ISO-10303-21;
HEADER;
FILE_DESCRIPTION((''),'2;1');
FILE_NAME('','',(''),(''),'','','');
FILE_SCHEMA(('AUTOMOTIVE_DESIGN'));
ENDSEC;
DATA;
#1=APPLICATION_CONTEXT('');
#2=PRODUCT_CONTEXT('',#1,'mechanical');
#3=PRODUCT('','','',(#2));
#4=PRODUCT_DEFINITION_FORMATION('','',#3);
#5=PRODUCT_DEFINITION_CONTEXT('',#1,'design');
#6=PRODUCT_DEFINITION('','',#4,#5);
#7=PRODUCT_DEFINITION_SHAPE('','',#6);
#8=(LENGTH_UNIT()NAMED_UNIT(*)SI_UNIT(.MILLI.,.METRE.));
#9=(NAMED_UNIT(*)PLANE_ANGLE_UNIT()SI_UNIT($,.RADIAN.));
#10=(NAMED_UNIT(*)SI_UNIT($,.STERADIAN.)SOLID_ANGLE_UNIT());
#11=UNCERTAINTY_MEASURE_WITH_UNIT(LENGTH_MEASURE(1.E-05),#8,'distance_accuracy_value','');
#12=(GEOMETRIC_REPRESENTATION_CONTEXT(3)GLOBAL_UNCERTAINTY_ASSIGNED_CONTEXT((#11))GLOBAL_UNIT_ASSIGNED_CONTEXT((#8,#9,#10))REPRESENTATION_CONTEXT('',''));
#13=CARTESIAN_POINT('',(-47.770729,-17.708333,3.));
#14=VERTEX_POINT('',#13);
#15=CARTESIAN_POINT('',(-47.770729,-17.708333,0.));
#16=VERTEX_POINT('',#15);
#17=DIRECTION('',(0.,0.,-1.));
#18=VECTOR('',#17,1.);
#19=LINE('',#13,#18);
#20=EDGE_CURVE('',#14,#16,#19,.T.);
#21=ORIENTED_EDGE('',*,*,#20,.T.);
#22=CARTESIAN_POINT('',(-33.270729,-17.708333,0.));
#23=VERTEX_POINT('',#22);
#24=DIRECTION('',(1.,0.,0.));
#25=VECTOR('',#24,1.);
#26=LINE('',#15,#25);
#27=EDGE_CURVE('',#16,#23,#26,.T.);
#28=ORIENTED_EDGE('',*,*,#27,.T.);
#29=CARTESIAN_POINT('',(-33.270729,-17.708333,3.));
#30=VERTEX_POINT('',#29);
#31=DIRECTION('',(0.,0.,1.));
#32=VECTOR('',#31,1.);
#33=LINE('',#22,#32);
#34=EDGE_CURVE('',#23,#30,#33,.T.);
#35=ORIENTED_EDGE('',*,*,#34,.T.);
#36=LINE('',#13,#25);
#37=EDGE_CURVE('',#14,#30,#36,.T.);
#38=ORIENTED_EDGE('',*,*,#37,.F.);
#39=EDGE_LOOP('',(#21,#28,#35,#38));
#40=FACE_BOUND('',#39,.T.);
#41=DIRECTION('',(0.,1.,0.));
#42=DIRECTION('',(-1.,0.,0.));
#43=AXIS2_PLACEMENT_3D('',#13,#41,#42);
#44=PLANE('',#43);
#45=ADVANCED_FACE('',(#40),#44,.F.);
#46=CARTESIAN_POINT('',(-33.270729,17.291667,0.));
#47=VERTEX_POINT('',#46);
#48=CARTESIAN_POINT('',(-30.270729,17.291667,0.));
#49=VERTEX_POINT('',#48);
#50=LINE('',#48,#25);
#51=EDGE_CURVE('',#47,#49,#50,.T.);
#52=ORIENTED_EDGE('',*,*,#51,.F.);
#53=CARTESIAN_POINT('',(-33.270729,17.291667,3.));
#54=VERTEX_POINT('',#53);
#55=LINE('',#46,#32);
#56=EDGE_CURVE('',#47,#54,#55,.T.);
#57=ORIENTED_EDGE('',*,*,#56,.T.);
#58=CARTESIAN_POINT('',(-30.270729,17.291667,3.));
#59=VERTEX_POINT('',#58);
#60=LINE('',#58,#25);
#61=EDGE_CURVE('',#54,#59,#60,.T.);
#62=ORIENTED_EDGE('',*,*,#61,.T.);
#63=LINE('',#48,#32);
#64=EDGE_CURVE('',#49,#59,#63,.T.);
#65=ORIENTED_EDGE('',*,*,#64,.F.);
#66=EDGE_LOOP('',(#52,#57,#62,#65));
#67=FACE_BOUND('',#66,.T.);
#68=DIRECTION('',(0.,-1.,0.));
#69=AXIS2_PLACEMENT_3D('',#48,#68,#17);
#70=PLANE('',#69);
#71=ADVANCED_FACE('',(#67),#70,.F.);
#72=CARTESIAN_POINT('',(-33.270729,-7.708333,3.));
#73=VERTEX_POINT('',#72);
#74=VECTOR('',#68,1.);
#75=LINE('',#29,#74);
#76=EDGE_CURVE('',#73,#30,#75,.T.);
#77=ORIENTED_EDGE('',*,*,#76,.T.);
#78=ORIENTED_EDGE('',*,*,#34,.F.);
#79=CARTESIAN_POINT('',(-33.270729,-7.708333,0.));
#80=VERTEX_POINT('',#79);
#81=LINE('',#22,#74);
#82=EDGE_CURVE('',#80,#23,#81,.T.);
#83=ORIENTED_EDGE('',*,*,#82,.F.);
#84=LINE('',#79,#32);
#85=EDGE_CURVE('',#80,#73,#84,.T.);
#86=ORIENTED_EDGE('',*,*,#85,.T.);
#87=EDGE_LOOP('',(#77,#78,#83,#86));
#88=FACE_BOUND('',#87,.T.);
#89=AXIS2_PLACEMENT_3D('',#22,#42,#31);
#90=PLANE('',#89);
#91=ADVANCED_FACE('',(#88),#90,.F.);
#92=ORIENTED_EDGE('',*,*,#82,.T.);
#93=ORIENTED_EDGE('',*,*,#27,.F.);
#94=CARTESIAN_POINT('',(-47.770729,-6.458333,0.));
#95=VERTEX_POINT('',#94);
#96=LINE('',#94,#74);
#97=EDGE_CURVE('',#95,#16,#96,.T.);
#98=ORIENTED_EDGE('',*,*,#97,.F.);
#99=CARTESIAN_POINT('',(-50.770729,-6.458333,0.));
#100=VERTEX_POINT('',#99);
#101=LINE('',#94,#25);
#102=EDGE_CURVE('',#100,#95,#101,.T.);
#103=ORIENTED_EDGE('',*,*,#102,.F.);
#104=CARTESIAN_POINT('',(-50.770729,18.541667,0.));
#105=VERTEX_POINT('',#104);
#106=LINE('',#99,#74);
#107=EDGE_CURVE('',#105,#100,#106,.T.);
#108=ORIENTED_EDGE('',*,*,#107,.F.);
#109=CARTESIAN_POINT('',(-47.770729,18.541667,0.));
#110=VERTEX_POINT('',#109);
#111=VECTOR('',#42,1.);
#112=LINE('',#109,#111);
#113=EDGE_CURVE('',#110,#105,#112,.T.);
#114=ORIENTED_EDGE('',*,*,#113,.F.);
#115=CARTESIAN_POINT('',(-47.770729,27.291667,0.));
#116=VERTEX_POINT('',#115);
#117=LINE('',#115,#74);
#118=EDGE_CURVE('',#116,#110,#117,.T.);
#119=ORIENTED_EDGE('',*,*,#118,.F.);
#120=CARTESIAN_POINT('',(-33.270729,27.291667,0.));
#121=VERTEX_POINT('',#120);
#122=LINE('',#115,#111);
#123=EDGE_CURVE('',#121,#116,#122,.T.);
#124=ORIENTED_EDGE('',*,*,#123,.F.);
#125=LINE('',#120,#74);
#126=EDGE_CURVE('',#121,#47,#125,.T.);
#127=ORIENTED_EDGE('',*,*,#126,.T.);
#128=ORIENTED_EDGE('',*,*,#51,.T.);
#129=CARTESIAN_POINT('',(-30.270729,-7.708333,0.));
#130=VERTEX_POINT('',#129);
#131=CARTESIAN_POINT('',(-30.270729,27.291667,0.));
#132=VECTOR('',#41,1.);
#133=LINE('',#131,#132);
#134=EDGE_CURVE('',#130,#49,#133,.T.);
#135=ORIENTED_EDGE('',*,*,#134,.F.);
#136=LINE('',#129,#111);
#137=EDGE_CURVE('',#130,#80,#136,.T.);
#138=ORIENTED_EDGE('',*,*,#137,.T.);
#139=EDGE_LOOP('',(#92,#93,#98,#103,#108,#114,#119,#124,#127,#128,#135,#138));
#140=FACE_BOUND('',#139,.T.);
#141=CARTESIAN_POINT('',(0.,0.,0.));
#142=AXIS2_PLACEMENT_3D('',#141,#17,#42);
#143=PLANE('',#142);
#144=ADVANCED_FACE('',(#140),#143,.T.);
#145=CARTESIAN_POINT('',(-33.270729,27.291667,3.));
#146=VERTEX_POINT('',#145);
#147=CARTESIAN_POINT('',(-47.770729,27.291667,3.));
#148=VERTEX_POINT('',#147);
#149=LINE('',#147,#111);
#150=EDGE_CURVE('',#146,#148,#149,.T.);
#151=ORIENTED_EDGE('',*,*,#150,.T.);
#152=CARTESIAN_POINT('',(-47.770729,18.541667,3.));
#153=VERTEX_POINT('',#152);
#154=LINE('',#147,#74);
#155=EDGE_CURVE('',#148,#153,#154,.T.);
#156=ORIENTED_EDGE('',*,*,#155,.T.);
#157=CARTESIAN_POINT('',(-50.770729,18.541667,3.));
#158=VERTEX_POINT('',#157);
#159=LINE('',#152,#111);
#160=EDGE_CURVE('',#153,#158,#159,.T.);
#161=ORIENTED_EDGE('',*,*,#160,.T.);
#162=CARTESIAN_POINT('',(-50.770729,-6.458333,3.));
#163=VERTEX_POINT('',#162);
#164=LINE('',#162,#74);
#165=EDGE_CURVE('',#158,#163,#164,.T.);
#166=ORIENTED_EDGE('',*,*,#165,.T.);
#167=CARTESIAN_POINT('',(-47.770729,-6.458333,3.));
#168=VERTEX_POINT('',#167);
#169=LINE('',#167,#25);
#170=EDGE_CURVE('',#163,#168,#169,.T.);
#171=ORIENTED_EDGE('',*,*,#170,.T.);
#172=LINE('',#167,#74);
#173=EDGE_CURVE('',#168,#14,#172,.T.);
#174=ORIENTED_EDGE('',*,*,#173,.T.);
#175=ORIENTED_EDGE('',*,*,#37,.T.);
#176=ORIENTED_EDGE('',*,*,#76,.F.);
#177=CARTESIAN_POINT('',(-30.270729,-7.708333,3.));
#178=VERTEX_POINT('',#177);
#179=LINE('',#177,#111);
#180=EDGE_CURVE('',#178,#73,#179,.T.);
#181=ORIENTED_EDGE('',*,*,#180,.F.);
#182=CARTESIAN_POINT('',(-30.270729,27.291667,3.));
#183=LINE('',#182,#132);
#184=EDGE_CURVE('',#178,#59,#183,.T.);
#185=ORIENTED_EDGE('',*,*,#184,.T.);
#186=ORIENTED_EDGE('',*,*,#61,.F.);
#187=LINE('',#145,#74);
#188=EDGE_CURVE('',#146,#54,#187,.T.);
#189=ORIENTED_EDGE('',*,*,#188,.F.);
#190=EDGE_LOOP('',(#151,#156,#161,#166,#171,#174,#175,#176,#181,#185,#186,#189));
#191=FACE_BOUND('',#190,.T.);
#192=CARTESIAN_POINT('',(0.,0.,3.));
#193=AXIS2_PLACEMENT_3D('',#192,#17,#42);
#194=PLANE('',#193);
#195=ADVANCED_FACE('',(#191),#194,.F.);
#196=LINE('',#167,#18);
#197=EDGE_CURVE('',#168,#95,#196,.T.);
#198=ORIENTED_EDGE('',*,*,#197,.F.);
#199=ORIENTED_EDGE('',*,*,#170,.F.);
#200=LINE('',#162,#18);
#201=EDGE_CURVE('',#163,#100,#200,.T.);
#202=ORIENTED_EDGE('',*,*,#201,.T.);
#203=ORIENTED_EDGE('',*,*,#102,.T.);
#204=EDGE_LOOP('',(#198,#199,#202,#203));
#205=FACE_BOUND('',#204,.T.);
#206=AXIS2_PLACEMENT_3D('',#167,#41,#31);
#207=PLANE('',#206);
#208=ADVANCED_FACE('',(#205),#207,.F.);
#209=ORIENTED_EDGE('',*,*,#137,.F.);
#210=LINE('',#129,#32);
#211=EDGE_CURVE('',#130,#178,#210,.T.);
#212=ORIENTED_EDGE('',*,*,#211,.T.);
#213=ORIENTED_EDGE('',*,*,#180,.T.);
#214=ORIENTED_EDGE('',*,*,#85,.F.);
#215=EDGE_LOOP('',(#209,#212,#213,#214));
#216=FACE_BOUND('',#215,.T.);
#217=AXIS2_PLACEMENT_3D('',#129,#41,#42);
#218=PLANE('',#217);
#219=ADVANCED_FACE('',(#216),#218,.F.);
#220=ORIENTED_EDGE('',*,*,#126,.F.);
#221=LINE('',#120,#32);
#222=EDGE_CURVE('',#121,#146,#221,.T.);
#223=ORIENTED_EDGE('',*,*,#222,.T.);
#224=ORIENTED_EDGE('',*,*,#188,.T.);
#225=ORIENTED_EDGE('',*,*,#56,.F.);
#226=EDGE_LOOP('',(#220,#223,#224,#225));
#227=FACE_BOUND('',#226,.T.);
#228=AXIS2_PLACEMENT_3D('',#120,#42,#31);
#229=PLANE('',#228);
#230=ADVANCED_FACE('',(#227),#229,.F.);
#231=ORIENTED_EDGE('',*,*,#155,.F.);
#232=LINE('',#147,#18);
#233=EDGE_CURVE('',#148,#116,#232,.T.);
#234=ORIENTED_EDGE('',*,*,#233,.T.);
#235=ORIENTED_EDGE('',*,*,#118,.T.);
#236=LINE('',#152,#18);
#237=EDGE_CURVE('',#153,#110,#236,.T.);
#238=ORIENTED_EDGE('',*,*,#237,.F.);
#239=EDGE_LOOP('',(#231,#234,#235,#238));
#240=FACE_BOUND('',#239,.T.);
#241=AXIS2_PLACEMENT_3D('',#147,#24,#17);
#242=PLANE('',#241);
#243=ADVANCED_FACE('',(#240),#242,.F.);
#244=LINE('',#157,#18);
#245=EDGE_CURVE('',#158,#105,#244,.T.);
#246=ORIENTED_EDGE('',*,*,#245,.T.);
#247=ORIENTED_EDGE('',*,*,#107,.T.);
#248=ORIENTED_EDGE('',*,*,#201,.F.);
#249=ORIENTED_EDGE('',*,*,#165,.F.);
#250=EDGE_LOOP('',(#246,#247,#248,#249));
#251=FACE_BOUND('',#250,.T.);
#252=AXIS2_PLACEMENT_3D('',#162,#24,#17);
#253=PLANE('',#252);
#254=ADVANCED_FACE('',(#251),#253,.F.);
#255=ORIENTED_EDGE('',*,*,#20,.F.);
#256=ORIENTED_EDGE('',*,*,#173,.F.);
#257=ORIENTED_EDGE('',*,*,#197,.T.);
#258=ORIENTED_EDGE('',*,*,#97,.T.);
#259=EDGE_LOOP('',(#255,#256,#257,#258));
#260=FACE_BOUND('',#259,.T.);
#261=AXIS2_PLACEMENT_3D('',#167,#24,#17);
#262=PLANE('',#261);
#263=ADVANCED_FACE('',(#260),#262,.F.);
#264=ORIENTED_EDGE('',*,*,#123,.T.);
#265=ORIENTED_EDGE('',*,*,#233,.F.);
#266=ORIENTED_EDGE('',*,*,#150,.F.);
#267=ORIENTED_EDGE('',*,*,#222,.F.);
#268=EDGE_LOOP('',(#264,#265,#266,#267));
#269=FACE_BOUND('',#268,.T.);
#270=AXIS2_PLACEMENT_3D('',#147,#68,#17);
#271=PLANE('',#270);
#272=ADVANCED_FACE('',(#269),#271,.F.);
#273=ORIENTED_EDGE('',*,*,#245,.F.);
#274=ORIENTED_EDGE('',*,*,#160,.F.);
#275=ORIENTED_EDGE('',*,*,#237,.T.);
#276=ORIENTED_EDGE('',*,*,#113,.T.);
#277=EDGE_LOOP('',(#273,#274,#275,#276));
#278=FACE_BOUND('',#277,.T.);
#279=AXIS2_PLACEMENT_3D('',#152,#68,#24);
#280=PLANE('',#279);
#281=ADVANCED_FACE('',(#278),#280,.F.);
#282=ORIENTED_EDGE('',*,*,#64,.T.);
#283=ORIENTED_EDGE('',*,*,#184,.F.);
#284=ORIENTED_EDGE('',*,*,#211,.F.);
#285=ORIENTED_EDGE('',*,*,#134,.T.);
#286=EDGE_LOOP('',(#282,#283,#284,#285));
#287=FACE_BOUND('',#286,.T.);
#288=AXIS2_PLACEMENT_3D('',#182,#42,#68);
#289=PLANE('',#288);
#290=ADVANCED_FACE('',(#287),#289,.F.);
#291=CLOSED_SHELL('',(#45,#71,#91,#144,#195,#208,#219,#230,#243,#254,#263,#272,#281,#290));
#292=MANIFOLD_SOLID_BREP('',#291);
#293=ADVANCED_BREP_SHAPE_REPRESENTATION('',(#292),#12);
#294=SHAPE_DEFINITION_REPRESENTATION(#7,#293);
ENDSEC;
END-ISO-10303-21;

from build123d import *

# Parameters (mm, degrees)
RESSALTO_EXTRUS_O1_DEPTH = 3
ESBO_O2_W                = 3
ESBO_O2_H                = 10
CORTE_EXTRUS_O1_DEPTH    = 3


with BuildPart() as part:
    # Esboço1 → Ressalto-extrusão1 (new body)
    with BuildSketch(Plane.XY):
        Polygon((-47.770728993, -6.458333333), (-47.770728993, -17.708333333), (-30.270728993, -17.708333333), (-30.270728993, 27.291666667), (-47.770728993, 27.291666667), (-47.770728993, 18.541666667), (-50.770728993, 18.541666667), (-50.770728993, -6.458333333), align=None)
    extrude(amount=RESSALTO_EXTRUS_O1_DEPTH)

    # Esboço2 → Corte-extrusão1 (cut)
    with BuildSketch(Plane.XY.offset(3)):
        with Locations((-31.770728993, 22.291666667)):
            Rectangle(ESBO_O2_W, ESBO_O2_H)
        with Locations((-31.770728993, -12.708333333)):
            Rectangle(ESBO_O2_W, ESBO_O2_H)
    extrude(amount=-CORTE_EXTRUS_O1_DEPTH, mode=Mode.SUBTRACT)


solid = part.part
